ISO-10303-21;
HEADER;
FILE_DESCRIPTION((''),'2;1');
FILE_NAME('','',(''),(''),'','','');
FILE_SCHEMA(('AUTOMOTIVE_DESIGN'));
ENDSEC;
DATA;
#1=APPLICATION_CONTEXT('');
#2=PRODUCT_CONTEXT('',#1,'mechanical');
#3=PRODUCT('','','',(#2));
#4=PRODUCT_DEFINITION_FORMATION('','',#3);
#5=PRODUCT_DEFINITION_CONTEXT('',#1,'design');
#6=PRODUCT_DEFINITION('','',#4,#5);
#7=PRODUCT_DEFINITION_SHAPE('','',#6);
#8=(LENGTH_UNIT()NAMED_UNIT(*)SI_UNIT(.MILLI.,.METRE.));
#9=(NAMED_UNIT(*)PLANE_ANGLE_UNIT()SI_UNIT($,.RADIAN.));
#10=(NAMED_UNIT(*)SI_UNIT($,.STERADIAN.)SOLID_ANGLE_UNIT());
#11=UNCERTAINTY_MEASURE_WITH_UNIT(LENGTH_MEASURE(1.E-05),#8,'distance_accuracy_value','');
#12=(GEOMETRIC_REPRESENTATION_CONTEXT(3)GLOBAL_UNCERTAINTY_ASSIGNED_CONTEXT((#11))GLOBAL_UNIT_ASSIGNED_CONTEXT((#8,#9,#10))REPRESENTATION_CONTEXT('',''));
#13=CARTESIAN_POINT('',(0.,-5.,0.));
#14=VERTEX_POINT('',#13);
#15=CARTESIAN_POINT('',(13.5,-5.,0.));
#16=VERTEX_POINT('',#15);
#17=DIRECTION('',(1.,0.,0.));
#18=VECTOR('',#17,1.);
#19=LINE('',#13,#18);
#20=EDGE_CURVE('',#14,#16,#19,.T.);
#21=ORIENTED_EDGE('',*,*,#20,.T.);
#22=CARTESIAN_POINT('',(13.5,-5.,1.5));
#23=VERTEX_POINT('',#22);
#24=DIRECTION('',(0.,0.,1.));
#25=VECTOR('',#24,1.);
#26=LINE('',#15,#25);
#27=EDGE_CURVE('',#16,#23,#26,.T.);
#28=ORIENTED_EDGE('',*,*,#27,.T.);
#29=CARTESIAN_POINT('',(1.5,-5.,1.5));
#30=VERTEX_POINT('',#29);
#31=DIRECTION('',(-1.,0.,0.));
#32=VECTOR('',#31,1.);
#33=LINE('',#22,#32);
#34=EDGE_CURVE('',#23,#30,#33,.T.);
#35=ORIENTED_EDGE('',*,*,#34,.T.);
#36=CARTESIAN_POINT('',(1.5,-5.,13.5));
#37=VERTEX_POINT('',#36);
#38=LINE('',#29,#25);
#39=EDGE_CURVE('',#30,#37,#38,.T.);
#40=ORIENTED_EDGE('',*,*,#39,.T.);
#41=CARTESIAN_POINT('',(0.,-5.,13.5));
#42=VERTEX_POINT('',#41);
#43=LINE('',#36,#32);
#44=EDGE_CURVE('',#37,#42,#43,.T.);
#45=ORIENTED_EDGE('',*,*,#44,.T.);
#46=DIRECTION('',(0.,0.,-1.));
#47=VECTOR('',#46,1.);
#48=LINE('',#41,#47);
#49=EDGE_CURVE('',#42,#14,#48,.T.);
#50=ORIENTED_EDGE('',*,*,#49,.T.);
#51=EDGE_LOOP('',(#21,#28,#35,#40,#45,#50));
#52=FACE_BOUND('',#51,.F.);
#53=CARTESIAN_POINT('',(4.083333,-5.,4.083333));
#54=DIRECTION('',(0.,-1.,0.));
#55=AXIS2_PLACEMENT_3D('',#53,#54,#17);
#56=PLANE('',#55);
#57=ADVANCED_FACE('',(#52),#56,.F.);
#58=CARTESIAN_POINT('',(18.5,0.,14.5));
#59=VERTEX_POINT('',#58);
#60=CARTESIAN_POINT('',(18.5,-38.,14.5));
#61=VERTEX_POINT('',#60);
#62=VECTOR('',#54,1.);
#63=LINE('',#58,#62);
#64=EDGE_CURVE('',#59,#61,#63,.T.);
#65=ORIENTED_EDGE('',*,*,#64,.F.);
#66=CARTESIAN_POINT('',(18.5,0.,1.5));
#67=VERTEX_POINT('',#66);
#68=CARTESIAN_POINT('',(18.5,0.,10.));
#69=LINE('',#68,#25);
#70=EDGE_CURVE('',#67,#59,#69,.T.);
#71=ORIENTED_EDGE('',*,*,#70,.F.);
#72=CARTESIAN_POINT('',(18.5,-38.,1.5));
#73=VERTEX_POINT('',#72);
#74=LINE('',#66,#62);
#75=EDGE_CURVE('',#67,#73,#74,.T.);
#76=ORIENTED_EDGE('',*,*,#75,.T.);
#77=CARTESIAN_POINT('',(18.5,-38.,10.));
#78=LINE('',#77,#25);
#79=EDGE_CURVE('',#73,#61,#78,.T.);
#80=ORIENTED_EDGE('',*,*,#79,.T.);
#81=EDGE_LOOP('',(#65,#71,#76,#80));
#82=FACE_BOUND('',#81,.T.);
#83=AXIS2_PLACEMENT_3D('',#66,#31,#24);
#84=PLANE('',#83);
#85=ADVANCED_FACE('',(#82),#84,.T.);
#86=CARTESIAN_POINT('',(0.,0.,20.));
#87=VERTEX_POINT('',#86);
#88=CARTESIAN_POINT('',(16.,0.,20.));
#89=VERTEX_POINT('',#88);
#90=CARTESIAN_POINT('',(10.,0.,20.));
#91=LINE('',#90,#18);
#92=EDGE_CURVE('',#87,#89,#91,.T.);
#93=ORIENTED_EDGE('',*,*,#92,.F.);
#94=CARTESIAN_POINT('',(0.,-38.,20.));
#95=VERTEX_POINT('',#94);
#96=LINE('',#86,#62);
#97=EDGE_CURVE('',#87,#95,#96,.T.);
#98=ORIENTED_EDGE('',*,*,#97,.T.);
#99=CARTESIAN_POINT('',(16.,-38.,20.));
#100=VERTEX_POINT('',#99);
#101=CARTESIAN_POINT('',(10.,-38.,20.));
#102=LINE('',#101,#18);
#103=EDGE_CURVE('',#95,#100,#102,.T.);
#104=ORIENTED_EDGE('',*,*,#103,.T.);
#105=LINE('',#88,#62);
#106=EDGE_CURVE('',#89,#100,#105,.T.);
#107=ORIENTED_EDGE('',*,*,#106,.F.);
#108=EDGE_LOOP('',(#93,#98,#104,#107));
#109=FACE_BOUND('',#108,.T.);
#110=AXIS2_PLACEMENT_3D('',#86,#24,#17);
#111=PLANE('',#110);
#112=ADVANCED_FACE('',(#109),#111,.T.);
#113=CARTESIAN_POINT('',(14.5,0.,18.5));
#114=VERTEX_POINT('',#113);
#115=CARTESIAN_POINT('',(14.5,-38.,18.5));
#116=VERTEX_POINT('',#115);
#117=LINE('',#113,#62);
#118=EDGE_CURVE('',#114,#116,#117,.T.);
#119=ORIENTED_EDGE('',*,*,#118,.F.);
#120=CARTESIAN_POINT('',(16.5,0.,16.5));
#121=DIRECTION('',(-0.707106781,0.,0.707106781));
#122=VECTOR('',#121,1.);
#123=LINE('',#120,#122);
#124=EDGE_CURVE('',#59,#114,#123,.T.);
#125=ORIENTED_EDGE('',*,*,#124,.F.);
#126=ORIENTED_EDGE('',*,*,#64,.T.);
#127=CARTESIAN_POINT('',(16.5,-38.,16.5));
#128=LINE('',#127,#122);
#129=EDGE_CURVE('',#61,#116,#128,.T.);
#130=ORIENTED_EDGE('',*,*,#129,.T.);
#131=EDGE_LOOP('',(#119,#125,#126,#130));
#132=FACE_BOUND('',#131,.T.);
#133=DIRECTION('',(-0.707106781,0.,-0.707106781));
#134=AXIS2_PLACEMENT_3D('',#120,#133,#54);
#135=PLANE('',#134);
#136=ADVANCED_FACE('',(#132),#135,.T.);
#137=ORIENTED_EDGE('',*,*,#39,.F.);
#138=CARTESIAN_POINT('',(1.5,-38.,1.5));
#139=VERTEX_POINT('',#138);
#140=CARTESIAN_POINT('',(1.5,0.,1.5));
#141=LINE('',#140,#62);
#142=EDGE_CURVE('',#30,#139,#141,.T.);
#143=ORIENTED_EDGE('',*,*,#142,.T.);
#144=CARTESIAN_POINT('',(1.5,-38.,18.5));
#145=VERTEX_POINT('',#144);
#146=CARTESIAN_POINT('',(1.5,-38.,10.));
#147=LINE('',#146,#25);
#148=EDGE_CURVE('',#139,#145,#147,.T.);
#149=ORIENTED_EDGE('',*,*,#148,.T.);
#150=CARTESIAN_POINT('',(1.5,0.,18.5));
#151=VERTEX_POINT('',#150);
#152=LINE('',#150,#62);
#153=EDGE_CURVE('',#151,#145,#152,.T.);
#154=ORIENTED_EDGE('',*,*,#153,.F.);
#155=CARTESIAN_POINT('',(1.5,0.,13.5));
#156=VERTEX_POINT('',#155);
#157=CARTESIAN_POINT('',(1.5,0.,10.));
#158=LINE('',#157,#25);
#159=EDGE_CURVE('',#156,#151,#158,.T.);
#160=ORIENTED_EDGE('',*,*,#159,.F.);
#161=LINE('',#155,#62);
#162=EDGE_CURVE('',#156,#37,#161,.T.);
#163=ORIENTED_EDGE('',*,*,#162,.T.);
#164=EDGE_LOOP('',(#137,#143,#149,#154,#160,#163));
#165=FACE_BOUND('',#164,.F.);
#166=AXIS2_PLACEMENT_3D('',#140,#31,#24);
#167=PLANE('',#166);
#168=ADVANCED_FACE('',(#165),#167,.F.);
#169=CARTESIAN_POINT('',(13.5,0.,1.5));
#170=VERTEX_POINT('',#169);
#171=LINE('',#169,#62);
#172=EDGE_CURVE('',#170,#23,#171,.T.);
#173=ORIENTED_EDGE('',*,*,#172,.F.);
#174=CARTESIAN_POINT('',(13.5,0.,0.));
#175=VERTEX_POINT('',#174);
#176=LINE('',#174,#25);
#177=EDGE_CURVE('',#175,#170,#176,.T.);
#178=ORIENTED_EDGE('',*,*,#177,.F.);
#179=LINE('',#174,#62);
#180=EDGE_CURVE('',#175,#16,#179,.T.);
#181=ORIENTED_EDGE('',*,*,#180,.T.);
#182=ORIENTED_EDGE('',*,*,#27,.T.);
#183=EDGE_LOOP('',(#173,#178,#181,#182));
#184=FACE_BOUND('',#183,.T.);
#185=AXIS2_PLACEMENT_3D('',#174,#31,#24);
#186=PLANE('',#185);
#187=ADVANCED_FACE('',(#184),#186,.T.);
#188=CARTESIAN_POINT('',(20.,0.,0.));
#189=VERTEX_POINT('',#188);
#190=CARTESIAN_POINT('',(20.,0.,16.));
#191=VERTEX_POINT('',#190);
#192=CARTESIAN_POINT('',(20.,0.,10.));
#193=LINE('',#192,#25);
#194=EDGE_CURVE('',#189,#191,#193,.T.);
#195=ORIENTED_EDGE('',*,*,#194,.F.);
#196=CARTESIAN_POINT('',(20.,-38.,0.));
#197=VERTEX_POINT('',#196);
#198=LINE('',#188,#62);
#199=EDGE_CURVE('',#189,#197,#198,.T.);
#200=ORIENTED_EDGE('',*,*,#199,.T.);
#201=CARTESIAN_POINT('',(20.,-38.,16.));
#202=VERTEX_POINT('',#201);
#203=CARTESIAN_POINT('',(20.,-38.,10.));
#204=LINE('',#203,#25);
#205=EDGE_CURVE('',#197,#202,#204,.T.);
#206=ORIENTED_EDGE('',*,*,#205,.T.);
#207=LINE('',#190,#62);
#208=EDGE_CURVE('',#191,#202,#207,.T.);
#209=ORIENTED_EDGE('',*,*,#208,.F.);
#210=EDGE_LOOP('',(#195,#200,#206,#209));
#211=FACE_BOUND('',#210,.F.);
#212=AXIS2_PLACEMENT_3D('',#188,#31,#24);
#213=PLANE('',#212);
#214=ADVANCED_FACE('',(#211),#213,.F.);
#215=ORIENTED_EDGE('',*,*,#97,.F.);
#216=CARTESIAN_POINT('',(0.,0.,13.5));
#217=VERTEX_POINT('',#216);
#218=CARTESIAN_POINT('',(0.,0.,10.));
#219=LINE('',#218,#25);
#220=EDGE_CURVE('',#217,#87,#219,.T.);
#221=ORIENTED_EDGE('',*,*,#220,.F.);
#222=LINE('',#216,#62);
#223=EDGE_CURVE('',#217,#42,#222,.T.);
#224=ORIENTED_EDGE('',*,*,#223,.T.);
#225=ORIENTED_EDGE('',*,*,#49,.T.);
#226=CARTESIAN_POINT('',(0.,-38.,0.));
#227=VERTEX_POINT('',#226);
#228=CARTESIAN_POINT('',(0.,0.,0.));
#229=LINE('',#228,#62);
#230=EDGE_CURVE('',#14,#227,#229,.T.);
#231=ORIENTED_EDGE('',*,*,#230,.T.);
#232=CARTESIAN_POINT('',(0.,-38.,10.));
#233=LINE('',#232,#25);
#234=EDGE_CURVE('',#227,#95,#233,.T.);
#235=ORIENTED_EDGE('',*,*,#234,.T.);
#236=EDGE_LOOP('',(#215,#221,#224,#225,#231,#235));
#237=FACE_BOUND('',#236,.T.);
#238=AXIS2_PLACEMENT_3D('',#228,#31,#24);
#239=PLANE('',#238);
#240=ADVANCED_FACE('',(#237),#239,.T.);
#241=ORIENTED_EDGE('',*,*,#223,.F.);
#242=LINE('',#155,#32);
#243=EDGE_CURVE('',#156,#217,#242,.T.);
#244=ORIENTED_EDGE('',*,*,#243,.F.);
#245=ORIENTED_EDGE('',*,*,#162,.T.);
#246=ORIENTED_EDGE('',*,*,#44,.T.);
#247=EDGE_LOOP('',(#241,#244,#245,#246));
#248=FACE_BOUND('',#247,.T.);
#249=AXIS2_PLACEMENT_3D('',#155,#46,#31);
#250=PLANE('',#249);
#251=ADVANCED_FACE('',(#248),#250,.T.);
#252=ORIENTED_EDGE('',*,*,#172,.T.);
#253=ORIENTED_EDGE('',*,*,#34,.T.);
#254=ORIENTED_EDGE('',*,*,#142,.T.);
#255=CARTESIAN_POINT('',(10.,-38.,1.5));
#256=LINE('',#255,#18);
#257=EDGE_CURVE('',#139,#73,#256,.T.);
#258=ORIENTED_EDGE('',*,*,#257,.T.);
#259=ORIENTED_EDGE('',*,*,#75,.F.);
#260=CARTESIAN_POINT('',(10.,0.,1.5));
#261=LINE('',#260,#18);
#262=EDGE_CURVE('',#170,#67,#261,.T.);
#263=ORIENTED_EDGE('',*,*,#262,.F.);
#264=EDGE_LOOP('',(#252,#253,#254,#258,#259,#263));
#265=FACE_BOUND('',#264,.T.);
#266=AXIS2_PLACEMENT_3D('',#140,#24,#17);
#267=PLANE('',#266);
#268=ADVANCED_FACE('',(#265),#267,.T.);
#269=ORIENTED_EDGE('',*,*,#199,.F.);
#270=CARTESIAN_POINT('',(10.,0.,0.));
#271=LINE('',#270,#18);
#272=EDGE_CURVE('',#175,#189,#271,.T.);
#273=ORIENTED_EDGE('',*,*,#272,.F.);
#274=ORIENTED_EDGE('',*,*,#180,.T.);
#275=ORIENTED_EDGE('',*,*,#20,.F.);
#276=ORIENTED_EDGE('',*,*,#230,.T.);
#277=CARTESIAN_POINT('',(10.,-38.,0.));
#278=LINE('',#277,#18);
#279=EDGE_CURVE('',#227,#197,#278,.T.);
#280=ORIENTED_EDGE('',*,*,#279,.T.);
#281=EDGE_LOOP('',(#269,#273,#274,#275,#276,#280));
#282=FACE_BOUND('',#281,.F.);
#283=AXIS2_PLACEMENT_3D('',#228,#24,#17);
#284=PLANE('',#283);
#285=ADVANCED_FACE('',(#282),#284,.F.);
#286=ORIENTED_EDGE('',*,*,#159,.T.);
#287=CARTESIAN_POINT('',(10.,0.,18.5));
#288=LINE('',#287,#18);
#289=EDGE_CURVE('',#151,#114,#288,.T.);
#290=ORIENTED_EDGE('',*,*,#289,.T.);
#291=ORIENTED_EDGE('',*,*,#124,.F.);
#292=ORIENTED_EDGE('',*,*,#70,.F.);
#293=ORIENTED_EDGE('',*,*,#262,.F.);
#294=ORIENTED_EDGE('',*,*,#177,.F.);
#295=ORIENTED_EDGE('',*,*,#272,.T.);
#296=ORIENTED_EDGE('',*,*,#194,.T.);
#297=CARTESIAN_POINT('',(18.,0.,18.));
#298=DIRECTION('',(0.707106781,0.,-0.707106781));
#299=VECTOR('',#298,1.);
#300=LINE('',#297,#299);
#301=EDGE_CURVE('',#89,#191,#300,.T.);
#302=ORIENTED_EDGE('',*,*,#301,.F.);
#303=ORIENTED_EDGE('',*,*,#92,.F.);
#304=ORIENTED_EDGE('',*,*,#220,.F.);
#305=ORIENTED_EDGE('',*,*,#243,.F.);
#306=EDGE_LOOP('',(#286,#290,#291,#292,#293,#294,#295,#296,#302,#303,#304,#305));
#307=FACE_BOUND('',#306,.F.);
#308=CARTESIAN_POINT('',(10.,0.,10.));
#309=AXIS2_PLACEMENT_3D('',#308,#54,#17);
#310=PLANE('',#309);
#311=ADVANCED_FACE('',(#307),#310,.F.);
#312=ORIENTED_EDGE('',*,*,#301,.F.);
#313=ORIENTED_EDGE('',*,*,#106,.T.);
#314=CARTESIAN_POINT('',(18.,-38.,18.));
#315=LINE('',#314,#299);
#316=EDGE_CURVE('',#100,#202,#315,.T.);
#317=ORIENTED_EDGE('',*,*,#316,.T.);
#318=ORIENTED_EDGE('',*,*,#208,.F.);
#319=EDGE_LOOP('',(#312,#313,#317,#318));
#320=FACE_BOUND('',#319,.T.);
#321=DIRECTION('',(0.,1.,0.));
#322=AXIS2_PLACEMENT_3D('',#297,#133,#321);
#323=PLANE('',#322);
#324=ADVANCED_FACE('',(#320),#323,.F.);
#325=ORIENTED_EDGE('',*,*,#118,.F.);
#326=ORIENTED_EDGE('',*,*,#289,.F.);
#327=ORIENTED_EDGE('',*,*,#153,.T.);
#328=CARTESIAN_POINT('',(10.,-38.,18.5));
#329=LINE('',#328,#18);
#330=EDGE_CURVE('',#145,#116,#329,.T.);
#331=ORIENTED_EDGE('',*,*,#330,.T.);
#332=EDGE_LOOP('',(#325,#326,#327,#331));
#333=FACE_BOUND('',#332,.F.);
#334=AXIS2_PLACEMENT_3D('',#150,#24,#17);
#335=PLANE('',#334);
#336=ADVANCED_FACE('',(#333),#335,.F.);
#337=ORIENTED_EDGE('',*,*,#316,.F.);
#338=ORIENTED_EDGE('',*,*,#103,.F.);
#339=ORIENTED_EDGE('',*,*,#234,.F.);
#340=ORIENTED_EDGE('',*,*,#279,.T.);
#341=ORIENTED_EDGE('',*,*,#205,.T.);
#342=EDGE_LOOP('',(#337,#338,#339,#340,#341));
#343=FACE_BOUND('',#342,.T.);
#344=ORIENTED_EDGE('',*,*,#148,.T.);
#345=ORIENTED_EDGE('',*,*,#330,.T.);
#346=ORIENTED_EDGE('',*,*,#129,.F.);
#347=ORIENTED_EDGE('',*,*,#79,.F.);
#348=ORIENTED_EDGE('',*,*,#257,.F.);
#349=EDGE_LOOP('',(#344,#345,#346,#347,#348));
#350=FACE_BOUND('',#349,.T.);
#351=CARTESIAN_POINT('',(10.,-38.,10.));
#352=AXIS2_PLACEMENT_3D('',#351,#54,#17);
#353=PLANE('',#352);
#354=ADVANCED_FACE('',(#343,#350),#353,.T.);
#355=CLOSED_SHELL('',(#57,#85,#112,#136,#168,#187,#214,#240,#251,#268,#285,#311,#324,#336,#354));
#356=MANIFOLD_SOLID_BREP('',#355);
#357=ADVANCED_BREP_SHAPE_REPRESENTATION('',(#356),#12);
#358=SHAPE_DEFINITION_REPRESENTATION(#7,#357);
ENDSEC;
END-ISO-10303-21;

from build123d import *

# Parameters (mm, degrees)
F0_W     = 20
F0_H     = 20
F0_W_2   = 17
F0_H_2   = 17
F1_DEPTH = 38
F2_SIZE  = 4
F4_DEPTH = 5


with BuildPart() as f1:
    # F0 (on Front) → F1 (new body)
    with BuildSketch(Plane.XZ):
        with Locations((10, 10)):
            Rectangle(F0_W, F0_H)
        with Locations((10, 10)):
            Rectangle(F0_W_2, F0_H_2, mode=Mode.SUBTRACT)
    extrude(amount=F1_DEPTH)

    # F2
    f2_edges = [f1.edges().sort_by_distance(p)[0] for p in [
        (20, -19, 20),
        (18.5, -19, 18.5),
    ]]
    chamfer(f2_edges, length=F2_SIZE)

    # F1_face (on face) + F3 (on Front) → F4 (cut)
    with BuildSketch(Plane(origin=(9.891892, -38, 9.891892), x_dir=(1, 0, 0), z_dir=(0, -1, 0))):
        Polygon((10.108108, -9.891892), (10.108108, 6.108108), (6.108108, 10.108108), (-9.891892, 10.108108), (-9.891892, -9.891892), align=None)
        Polygon((-8.391892, 8.608108), (4.608108, 8.608108), (8.608108, 4.608108), (8.608108, -8.391892), (-8.391892, -8.391892), align=None, mode=Mode.SUBTRACT)
    with BuildSketch(Plane.XZ):
        Polygon((0, 13.5), (0, 0), (13.5, 0), (13.5, 1.5), (1.5, 1.5), (1.5, 13.5), align=None)
    extrude(amount=F4_DEPTH, mode=Mode.SUBTRACT)


solid = f1.part
